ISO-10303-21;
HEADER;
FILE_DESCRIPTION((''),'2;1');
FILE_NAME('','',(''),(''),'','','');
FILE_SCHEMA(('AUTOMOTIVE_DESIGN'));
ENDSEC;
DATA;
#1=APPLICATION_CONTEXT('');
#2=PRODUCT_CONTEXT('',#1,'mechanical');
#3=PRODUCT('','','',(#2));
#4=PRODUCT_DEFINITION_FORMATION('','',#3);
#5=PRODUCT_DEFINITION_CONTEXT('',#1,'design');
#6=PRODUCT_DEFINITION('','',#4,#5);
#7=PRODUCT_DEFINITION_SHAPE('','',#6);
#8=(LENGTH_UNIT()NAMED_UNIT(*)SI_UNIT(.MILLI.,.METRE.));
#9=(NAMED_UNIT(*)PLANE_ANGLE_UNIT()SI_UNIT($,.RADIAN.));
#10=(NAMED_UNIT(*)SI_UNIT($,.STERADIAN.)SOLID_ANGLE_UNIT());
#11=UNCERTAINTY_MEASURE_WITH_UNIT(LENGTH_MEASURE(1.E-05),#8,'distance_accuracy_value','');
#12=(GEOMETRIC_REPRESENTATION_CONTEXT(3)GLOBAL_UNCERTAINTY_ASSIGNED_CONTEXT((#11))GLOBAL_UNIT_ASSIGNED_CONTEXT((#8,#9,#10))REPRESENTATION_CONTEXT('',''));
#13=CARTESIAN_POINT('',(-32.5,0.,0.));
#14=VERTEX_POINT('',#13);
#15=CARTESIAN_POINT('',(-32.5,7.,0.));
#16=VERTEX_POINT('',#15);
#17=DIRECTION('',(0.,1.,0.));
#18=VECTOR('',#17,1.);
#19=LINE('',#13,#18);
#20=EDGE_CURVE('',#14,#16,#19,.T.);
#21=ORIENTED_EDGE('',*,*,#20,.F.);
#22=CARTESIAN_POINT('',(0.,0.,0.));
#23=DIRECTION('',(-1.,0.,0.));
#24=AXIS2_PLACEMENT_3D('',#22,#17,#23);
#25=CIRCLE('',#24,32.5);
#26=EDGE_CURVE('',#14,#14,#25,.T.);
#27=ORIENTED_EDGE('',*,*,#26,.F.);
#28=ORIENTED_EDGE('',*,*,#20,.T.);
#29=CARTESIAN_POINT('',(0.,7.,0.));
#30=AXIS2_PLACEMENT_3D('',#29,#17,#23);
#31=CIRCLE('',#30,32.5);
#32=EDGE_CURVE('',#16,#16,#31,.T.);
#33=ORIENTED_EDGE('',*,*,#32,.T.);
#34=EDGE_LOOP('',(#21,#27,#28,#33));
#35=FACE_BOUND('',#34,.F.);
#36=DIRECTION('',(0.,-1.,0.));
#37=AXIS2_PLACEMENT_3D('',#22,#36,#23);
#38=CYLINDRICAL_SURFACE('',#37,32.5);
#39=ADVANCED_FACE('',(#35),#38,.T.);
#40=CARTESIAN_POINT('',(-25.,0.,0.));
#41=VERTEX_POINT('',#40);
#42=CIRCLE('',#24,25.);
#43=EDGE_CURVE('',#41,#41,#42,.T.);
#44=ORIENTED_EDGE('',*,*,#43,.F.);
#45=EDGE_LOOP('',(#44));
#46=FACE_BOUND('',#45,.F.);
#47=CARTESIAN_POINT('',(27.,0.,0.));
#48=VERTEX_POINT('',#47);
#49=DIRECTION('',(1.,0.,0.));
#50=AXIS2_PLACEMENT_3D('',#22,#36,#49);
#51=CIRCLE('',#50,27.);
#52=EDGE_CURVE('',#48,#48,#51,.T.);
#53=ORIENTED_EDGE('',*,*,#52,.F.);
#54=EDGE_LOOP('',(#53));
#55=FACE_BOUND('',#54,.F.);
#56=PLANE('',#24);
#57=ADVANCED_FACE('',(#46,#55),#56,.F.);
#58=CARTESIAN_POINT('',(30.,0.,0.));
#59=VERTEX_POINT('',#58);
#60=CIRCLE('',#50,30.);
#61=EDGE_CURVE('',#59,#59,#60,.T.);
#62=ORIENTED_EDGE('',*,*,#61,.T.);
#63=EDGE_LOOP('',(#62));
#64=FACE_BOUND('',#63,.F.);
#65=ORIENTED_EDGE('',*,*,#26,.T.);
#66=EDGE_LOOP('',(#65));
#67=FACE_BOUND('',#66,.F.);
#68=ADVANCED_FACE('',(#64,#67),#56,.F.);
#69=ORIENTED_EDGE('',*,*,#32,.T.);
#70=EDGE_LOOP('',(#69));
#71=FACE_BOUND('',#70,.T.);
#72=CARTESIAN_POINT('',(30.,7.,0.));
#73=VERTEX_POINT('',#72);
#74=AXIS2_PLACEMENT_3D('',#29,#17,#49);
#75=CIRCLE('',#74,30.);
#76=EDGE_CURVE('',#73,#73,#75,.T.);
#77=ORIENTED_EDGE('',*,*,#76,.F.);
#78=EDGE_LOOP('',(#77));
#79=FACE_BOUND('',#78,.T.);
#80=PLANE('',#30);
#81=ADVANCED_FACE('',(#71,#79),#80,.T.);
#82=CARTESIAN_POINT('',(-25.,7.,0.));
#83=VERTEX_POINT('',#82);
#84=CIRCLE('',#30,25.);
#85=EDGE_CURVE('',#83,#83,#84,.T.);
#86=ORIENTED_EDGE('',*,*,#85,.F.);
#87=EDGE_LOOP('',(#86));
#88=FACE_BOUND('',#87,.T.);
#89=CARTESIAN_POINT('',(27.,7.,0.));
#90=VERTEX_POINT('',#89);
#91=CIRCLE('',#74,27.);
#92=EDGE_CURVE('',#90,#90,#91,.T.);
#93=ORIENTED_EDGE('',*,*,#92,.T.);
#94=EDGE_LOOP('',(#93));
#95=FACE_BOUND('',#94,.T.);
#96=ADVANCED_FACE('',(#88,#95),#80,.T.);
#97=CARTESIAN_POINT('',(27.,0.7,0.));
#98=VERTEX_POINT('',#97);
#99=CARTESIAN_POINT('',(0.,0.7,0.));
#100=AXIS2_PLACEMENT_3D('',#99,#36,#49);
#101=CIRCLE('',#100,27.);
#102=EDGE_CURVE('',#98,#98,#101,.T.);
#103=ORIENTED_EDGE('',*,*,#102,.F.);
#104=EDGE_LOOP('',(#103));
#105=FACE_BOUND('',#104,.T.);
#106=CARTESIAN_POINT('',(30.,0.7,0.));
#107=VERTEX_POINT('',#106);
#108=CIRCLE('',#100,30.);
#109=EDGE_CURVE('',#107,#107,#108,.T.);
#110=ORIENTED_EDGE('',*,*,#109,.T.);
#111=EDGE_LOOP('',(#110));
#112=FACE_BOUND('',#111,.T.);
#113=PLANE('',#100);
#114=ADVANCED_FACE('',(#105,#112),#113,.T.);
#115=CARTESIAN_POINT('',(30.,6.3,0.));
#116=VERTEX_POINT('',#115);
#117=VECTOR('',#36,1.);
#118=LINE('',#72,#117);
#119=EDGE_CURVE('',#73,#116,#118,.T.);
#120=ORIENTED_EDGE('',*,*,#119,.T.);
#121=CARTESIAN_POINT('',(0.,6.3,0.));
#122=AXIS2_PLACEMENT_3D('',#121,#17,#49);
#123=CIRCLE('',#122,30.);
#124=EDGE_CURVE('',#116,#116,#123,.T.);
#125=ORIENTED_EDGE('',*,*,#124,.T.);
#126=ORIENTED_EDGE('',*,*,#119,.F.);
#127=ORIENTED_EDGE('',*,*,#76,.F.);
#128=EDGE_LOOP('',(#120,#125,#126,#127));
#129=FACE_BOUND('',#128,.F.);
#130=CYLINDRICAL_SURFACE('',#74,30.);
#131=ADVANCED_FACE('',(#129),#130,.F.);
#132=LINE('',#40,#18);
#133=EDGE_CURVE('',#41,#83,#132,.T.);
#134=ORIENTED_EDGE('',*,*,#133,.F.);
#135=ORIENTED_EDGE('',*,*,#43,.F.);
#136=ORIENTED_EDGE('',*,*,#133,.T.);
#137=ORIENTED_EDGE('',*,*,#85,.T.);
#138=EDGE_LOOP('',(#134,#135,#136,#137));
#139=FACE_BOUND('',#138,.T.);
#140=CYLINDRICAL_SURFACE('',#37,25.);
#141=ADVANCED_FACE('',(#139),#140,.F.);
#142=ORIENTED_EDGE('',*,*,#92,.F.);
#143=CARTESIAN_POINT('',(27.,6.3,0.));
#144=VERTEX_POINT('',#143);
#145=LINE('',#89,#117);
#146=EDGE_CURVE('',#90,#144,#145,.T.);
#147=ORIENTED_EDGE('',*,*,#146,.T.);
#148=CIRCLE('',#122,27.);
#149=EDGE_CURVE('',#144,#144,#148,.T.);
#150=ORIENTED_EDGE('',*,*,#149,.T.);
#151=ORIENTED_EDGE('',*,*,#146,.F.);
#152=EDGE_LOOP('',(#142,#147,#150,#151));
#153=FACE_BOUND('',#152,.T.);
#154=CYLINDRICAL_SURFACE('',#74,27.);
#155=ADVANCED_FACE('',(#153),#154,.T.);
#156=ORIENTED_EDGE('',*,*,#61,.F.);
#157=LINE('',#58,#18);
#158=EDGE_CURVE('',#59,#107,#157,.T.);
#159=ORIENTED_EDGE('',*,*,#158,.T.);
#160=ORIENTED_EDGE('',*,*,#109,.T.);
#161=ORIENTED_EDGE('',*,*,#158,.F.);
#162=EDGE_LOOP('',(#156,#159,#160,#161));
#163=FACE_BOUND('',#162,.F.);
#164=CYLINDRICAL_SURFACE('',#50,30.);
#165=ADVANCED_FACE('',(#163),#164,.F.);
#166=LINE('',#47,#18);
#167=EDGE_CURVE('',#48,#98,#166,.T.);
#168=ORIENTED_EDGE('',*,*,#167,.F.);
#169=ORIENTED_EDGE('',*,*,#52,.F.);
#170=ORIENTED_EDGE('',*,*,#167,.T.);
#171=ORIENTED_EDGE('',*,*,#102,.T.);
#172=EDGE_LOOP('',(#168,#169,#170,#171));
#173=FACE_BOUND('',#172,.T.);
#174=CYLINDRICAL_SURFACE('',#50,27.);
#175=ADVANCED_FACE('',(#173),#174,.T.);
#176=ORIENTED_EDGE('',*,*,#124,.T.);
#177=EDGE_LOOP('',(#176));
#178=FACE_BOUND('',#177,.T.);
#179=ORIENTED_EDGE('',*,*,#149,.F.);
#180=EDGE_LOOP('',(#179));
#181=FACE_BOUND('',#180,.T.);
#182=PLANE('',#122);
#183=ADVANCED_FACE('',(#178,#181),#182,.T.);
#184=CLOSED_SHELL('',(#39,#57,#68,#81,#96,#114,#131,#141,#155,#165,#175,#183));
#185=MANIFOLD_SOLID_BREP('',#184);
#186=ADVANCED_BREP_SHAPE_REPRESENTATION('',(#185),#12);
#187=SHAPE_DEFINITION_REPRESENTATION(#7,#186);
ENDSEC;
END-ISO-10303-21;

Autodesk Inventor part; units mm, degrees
ref_plane "YZ Plane" through (0, 0, 0) normal (1, 0, 0) x (0, 1, 0)
ref_plane "XZ Plane" through (0, 0, 0) normal (0, 1, 0) x (-1, 0, 0)
ref_plane "XY Plane" through (0, 0, 0) normal (0, 0, 1) x (1, 0, 0)
sketch "Sketch1" plane through (0, 0, 0) normal (0, 1, 0) x (-1, 0, 0)
  circle A0 centre (0, 0) radius 25
  circle A1 centre (0, 0) radius 32.5
  dimension "d0" = 50
  dimension "d1" = 65
extrude "Extrusion1" add sketch "Sketch1" along normal blind 7
sketch "Sketch2" plane through (0, 7, 0) normal (0, 1, 0) x (1, 0, 0)
  circle A0 centre (0, 0) radius 27
  circle A1 centre (0, 0) radius 30
  dimension "d4" = 54
  dimension "d5" = 60
extrude "Extrusion2" cut sketch "Sketch2" against normal blind 0.7
sketch "Sketch3" plane through (0, 0, 0) normal (0, -1, 0) x (1, 0, 0)
  circle A0 centre (0, 0) radius 27 projected
  circle A1 centre (0, 0) radius 30 projected
extrude "Extrusion3" cut sketch "Sketch3" against normal blind 0.7
properties part number "bearing_6810zz" material "Stainless Steel, Austenitic"
